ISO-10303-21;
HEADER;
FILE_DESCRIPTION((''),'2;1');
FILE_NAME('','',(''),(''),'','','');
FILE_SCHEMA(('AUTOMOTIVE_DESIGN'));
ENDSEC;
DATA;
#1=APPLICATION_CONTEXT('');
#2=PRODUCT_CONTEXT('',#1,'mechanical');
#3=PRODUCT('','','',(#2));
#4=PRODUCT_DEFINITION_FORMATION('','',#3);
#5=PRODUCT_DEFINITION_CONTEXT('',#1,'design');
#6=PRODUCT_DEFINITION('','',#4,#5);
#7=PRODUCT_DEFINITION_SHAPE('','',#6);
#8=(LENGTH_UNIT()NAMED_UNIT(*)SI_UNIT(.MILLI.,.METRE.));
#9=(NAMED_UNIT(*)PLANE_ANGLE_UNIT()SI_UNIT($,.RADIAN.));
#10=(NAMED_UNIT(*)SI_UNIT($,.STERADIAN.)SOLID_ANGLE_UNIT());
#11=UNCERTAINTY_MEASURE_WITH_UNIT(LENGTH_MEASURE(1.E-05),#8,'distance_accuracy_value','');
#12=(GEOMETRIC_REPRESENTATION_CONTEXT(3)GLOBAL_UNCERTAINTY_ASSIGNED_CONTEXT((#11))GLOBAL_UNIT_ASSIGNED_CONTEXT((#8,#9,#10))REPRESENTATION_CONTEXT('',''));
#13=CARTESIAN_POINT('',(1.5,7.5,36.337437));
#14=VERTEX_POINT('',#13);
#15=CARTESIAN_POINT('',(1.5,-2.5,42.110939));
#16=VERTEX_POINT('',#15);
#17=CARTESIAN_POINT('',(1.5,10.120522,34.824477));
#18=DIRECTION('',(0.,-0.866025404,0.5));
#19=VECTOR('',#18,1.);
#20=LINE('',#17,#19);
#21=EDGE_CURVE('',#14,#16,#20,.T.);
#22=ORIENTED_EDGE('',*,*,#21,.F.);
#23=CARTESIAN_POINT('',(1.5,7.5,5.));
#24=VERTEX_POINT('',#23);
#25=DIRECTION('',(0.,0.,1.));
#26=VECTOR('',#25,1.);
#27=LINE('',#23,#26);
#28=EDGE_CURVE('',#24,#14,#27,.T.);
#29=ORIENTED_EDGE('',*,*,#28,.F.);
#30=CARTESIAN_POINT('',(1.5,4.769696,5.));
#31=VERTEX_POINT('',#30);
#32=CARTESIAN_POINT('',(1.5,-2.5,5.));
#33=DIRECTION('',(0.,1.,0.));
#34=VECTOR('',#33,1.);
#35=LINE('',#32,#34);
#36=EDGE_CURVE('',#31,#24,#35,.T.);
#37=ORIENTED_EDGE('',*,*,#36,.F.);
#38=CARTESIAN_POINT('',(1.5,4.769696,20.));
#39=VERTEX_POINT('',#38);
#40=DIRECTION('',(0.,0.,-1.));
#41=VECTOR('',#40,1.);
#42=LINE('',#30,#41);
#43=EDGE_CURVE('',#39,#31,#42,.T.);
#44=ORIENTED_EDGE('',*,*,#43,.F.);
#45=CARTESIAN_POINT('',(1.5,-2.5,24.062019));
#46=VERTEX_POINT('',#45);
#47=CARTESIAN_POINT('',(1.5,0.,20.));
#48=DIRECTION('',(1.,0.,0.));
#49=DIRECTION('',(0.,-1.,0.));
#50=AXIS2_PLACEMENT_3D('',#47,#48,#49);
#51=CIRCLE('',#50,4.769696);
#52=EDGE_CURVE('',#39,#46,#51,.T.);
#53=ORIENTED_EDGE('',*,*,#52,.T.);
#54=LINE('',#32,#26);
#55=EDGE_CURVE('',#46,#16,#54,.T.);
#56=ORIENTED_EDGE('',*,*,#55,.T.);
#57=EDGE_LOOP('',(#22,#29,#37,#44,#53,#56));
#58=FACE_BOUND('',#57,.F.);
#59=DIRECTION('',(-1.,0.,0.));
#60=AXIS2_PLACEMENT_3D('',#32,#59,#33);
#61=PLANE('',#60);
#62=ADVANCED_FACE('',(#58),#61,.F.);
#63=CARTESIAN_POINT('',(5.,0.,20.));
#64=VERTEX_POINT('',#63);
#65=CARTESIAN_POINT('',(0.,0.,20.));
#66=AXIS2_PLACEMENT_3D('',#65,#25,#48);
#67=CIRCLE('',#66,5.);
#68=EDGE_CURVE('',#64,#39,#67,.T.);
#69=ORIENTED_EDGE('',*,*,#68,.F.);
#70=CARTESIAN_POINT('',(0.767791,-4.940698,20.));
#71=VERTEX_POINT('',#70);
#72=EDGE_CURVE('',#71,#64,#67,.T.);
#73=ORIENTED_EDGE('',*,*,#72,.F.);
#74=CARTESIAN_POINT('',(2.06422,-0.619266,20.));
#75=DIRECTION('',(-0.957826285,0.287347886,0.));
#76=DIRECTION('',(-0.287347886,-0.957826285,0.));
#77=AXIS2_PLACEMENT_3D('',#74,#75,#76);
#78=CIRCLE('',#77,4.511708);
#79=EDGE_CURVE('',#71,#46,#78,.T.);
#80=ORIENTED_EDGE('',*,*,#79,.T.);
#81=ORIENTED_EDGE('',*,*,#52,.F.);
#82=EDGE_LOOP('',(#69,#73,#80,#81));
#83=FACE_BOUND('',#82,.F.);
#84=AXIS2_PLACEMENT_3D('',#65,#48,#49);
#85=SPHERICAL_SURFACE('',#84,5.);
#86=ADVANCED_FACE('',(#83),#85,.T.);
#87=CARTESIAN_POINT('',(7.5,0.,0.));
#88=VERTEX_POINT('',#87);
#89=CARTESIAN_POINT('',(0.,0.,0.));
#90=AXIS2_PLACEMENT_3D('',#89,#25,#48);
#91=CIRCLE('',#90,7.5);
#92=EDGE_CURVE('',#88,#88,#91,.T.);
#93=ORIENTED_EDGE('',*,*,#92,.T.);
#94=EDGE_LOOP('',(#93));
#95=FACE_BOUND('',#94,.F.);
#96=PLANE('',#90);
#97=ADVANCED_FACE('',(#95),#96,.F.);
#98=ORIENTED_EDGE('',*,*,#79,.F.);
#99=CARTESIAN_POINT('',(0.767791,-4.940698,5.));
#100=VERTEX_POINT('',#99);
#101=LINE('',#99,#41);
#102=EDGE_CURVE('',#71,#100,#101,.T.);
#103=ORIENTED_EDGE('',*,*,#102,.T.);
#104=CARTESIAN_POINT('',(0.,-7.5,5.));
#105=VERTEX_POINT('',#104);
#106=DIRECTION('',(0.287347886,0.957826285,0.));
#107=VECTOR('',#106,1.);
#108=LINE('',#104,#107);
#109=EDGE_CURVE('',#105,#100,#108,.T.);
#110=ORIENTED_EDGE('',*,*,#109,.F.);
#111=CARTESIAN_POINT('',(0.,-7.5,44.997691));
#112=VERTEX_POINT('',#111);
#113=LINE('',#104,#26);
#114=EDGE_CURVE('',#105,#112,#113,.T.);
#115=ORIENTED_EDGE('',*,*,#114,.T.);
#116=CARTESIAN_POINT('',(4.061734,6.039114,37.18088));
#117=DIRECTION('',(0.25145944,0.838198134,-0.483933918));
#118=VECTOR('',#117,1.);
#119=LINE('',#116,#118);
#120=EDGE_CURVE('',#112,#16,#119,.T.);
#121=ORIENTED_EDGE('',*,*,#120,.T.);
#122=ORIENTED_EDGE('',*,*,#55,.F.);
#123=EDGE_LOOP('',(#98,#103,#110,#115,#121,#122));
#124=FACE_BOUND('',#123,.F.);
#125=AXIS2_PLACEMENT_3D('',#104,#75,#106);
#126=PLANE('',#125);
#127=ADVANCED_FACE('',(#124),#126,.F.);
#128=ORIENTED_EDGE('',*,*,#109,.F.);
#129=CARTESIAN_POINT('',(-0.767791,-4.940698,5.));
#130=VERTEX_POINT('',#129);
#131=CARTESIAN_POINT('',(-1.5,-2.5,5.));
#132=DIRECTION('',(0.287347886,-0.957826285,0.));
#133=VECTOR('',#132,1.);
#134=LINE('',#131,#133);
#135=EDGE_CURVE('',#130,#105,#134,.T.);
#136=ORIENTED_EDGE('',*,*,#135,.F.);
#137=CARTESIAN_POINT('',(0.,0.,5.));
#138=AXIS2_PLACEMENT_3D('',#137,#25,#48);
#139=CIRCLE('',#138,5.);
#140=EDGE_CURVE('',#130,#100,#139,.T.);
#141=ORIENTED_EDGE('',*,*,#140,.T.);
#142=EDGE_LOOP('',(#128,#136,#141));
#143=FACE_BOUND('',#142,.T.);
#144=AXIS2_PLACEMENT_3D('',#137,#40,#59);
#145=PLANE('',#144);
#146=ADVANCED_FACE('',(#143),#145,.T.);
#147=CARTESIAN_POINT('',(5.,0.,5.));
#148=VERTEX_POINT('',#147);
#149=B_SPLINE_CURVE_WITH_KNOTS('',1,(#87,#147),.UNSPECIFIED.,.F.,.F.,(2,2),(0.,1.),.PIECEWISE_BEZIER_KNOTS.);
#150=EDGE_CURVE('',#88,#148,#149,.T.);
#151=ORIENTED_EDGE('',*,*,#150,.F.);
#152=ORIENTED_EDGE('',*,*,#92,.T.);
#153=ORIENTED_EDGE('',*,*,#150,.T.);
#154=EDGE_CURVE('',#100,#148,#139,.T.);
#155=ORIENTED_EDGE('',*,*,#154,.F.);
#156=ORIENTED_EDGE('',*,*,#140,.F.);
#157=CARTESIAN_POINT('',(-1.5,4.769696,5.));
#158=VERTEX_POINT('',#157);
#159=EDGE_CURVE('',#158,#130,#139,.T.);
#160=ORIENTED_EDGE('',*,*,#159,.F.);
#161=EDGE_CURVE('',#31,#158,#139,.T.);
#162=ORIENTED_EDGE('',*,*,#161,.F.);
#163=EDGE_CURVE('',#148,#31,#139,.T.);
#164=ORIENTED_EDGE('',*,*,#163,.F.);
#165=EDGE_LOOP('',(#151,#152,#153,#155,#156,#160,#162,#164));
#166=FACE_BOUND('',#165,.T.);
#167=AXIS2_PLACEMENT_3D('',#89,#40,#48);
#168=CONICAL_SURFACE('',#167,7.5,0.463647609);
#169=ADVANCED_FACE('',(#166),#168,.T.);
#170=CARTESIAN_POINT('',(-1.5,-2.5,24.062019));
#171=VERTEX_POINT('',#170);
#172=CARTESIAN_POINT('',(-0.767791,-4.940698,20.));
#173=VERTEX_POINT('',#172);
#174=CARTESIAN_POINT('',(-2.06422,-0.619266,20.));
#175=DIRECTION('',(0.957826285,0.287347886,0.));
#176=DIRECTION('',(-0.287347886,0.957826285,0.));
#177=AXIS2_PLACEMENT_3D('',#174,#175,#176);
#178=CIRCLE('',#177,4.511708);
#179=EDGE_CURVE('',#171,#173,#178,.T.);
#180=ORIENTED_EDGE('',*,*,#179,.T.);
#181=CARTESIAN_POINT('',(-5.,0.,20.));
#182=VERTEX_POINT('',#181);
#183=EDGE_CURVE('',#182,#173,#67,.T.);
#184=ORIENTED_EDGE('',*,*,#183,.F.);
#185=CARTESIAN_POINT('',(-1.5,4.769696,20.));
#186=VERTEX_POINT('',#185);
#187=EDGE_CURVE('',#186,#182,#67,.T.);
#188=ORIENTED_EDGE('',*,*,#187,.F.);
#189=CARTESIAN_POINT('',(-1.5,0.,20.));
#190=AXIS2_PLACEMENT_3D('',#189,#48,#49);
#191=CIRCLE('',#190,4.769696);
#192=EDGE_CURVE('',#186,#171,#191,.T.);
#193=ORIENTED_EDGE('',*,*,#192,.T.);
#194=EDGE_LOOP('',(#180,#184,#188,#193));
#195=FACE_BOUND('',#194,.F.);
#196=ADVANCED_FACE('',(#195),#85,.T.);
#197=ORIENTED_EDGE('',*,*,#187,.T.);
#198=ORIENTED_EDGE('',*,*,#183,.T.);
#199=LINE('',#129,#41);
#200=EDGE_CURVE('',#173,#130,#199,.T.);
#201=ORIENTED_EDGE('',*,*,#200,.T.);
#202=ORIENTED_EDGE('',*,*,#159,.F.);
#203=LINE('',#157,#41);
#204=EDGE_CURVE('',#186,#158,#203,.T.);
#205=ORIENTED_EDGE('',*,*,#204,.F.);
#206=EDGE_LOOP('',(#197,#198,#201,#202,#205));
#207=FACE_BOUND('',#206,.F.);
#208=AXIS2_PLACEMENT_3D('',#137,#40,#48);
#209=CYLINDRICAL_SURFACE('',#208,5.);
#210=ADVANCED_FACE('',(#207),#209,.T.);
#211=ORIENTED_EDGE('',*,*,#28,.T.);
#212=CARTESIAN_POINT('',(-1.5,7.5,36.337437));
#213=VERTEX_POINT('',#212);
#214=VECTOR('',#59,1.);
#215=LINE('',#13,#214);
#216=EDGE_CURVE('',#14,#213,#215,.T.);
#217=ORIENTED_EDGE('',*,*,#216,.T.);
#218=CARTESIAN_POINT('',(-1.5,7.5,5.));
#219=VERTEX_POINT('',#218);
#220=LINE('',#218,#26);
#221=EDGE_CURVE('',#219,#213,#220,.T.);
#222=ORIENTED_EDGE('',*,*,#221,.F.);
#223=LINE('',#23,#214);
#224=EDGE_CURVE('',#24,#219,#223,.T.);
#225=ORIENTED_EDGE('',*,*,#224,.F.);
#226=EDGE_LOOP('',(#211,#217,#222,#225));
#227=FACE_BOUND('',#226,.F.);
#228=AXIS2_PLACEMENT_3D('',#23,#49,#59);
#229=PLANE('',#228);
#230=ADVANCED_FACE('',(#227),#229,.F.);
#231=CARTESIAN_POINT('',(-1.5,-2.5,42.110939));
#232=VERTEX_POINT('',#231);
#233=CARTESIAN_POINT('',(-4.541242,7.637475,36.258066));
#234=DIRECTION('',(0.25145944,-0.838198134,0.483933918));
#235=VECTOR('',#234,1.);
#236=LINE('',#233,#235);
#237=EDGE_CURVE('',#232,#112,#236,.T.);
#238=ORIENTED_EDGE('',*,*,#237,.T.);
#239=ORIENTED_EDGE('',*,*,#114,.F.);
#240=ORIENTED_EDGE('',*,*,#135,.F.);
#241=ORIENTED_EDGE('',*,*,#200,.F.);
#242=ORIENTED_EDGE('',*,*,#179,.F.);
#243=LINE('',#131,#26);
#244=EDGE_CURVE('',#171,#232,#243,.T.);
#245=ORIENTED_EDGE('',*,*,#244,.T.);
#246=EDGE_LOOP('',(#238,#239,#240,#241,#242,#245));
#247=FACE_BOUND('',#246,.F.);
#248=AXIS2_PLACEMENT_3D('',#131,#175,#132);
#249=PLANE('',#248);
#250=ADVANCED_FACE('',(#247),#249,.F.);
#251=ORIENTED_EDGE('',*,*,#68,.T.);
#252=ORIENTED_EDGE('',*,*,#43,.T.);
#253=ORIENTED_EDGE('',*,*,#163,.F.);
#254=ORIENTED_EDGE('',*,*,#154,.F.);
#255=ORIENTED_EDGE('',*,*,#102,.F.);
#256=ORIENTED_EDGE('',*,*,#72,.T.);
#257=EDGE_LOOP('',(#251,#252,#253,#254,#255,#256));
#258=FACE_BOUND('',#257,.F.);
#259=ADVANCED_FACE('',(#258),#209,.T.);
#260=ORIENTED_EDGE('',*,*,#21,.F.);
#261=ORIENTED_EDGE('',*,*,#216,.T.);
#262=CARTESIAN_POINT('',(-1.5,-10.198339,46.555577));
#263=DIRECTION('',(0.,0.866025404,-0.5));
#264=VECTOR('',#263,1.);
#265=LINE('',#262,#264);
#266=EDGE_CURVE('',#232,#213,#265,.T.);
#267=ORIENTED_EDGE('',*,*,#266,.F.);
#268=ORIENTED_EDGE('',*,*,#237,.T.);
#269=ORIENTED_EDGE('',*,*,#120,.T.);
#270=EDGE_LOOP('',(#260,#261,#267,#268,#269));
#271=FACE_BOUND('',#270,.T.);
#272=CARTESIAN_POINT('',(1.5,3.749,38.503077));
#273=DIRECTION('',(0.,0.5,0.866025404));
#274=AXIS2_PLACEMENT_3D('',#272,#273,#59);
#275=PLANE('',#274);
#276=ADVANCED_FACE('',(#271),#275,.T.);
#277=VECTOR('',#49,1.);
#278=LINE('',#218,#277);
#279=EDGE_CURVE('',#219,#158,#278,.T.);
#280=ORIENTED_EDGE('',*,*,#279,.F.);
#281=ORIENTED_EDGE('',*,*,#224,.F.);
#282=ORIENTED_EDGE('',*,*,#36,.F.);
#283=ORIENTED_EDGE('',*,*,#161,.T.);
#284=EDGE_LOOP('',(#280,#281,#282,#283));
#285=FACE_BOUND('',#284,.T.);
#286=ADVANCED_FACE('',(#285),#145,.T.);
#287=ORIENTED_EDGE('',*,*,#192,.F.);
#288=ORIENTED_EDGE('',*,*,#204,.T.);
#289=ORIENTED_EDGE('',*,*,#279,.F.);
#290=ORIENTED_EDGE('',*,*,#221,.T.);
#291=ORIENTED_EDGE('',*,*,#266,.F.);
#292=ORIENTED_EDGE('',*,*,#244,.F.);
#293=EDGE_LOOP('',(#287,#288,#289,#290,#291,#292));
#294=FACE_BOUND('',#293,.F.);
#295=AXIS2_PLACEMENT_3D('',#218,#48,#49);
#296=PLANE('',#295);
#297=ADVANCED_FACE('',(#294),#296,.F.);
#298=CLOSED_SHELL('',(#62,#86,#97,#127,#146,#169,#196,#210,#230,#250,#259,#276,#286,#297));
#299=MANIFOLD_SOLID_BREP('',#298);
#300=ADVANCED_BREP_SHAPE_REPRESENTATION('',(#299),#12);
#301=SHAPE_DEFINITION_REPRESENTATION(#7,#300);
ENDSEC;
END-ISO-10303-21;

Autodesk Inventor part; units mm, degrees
sketch "Sketch1" plane through (0, 0, 0) normal (0, 0, 1) x (1, 0, 0)
  circle A0 centre (0, 0) radius 7.5
  dimension "d0" = 15
ref_plane "Work Plane1" through (0, 0, 5) normal (0, 0, 1) x (1, 0, 0)
sketch "Sketch2" plane through (0, 0, 5) normal (0, 0, 1) x (1, 0, 0)
  circle A0 centre (0, 0) radius 5
  dimension "d4" = 10
loft "Loft1" add profiles "Sketch1", "Sketch2"
sketch "Sketch3" plane through (0, 0, 5) normal (0, 0, 1) x (1, 0, 0)
  circle A0 centre (0, 0) radius 5
  dimension "d9" = 10
extrude "Extrusion2" add sketch "Sketch3" along normal blind 15
sketch "Sketch4" plane through (0, 0, 20) normal (0, 0, 1) x (1, 0, 0)
  line L0 (5, 0) -> (-5, 0)
  arc A0 (-5, 0) -> (5, 0) centre (0, 0) ccw
revolve "Revolution1" add sketch "Sketch4" angle 180 about axis through (5, 0, 20) along (-1, 0, 0)
ref_plane "Work Plane2" through (0, 0, 5) normal (0, 0, -1) x (-1, 0, 0)
sketch "Sketch6" plane through (0, 0, 5) normal (0, 0, -1) x (-1, 0, 0)
  line L0 (-1.5, 7.5) -> (1.5, 7.5)
  line L1 (1.5, -2.5) -> (0, -7.5)
  line L2 (0, -7.5) -> (-1.5, -2.5)
  line L3 (1.5, 7.5) -> (1.5, -2.5)
  line L4 (-1.5, -2.5) -> (-1.5, 7.5)
  line L5 (0.9, -4.5) -> (-1.5, 7.5) construction
  line L6 (-0.9, -4.5) -> (1.5, 7.5) construction
  point P0 (0, 0)
  point P1 (0, 7.5)
  point P2 (0, 0)
  dimension "d14" = 3
extrude "Extrusion3" add sketch "Sketch6" against normal blind 40
ref_plane "Work Plane3" through (1.5, 7.5, 45) normal (0, 0.5, 0.866) x (-1, 0, 0)
sketch "Sketch7" plane through (1.5, 7.5, 45) normal (0, 0.5, 0.866) x (-1, 0, 0)
  line L0 (0, 16.105) -> (3, 16.105)
  line L1 (3, 16.105) -> (3, -7.3572)
  line L2 (3, -7.3572) -> (0, -7.3572)
  line L3 (0, -7.3572) -> (0, 16.105)
  line L4 (0, 16.105) -> (3, -7.3572) construction
  line L5 (3, 16.105) -> (0, -7.3572) construction
  point P0 (1.5, -16.0048)
  point P1 (1.5, 4.3739)
  dimension "d19" = 23.4622
extrude "Extrusion4" cut sketch "Sketch7" against normal blind 7.5
properties part number "Cutter"
